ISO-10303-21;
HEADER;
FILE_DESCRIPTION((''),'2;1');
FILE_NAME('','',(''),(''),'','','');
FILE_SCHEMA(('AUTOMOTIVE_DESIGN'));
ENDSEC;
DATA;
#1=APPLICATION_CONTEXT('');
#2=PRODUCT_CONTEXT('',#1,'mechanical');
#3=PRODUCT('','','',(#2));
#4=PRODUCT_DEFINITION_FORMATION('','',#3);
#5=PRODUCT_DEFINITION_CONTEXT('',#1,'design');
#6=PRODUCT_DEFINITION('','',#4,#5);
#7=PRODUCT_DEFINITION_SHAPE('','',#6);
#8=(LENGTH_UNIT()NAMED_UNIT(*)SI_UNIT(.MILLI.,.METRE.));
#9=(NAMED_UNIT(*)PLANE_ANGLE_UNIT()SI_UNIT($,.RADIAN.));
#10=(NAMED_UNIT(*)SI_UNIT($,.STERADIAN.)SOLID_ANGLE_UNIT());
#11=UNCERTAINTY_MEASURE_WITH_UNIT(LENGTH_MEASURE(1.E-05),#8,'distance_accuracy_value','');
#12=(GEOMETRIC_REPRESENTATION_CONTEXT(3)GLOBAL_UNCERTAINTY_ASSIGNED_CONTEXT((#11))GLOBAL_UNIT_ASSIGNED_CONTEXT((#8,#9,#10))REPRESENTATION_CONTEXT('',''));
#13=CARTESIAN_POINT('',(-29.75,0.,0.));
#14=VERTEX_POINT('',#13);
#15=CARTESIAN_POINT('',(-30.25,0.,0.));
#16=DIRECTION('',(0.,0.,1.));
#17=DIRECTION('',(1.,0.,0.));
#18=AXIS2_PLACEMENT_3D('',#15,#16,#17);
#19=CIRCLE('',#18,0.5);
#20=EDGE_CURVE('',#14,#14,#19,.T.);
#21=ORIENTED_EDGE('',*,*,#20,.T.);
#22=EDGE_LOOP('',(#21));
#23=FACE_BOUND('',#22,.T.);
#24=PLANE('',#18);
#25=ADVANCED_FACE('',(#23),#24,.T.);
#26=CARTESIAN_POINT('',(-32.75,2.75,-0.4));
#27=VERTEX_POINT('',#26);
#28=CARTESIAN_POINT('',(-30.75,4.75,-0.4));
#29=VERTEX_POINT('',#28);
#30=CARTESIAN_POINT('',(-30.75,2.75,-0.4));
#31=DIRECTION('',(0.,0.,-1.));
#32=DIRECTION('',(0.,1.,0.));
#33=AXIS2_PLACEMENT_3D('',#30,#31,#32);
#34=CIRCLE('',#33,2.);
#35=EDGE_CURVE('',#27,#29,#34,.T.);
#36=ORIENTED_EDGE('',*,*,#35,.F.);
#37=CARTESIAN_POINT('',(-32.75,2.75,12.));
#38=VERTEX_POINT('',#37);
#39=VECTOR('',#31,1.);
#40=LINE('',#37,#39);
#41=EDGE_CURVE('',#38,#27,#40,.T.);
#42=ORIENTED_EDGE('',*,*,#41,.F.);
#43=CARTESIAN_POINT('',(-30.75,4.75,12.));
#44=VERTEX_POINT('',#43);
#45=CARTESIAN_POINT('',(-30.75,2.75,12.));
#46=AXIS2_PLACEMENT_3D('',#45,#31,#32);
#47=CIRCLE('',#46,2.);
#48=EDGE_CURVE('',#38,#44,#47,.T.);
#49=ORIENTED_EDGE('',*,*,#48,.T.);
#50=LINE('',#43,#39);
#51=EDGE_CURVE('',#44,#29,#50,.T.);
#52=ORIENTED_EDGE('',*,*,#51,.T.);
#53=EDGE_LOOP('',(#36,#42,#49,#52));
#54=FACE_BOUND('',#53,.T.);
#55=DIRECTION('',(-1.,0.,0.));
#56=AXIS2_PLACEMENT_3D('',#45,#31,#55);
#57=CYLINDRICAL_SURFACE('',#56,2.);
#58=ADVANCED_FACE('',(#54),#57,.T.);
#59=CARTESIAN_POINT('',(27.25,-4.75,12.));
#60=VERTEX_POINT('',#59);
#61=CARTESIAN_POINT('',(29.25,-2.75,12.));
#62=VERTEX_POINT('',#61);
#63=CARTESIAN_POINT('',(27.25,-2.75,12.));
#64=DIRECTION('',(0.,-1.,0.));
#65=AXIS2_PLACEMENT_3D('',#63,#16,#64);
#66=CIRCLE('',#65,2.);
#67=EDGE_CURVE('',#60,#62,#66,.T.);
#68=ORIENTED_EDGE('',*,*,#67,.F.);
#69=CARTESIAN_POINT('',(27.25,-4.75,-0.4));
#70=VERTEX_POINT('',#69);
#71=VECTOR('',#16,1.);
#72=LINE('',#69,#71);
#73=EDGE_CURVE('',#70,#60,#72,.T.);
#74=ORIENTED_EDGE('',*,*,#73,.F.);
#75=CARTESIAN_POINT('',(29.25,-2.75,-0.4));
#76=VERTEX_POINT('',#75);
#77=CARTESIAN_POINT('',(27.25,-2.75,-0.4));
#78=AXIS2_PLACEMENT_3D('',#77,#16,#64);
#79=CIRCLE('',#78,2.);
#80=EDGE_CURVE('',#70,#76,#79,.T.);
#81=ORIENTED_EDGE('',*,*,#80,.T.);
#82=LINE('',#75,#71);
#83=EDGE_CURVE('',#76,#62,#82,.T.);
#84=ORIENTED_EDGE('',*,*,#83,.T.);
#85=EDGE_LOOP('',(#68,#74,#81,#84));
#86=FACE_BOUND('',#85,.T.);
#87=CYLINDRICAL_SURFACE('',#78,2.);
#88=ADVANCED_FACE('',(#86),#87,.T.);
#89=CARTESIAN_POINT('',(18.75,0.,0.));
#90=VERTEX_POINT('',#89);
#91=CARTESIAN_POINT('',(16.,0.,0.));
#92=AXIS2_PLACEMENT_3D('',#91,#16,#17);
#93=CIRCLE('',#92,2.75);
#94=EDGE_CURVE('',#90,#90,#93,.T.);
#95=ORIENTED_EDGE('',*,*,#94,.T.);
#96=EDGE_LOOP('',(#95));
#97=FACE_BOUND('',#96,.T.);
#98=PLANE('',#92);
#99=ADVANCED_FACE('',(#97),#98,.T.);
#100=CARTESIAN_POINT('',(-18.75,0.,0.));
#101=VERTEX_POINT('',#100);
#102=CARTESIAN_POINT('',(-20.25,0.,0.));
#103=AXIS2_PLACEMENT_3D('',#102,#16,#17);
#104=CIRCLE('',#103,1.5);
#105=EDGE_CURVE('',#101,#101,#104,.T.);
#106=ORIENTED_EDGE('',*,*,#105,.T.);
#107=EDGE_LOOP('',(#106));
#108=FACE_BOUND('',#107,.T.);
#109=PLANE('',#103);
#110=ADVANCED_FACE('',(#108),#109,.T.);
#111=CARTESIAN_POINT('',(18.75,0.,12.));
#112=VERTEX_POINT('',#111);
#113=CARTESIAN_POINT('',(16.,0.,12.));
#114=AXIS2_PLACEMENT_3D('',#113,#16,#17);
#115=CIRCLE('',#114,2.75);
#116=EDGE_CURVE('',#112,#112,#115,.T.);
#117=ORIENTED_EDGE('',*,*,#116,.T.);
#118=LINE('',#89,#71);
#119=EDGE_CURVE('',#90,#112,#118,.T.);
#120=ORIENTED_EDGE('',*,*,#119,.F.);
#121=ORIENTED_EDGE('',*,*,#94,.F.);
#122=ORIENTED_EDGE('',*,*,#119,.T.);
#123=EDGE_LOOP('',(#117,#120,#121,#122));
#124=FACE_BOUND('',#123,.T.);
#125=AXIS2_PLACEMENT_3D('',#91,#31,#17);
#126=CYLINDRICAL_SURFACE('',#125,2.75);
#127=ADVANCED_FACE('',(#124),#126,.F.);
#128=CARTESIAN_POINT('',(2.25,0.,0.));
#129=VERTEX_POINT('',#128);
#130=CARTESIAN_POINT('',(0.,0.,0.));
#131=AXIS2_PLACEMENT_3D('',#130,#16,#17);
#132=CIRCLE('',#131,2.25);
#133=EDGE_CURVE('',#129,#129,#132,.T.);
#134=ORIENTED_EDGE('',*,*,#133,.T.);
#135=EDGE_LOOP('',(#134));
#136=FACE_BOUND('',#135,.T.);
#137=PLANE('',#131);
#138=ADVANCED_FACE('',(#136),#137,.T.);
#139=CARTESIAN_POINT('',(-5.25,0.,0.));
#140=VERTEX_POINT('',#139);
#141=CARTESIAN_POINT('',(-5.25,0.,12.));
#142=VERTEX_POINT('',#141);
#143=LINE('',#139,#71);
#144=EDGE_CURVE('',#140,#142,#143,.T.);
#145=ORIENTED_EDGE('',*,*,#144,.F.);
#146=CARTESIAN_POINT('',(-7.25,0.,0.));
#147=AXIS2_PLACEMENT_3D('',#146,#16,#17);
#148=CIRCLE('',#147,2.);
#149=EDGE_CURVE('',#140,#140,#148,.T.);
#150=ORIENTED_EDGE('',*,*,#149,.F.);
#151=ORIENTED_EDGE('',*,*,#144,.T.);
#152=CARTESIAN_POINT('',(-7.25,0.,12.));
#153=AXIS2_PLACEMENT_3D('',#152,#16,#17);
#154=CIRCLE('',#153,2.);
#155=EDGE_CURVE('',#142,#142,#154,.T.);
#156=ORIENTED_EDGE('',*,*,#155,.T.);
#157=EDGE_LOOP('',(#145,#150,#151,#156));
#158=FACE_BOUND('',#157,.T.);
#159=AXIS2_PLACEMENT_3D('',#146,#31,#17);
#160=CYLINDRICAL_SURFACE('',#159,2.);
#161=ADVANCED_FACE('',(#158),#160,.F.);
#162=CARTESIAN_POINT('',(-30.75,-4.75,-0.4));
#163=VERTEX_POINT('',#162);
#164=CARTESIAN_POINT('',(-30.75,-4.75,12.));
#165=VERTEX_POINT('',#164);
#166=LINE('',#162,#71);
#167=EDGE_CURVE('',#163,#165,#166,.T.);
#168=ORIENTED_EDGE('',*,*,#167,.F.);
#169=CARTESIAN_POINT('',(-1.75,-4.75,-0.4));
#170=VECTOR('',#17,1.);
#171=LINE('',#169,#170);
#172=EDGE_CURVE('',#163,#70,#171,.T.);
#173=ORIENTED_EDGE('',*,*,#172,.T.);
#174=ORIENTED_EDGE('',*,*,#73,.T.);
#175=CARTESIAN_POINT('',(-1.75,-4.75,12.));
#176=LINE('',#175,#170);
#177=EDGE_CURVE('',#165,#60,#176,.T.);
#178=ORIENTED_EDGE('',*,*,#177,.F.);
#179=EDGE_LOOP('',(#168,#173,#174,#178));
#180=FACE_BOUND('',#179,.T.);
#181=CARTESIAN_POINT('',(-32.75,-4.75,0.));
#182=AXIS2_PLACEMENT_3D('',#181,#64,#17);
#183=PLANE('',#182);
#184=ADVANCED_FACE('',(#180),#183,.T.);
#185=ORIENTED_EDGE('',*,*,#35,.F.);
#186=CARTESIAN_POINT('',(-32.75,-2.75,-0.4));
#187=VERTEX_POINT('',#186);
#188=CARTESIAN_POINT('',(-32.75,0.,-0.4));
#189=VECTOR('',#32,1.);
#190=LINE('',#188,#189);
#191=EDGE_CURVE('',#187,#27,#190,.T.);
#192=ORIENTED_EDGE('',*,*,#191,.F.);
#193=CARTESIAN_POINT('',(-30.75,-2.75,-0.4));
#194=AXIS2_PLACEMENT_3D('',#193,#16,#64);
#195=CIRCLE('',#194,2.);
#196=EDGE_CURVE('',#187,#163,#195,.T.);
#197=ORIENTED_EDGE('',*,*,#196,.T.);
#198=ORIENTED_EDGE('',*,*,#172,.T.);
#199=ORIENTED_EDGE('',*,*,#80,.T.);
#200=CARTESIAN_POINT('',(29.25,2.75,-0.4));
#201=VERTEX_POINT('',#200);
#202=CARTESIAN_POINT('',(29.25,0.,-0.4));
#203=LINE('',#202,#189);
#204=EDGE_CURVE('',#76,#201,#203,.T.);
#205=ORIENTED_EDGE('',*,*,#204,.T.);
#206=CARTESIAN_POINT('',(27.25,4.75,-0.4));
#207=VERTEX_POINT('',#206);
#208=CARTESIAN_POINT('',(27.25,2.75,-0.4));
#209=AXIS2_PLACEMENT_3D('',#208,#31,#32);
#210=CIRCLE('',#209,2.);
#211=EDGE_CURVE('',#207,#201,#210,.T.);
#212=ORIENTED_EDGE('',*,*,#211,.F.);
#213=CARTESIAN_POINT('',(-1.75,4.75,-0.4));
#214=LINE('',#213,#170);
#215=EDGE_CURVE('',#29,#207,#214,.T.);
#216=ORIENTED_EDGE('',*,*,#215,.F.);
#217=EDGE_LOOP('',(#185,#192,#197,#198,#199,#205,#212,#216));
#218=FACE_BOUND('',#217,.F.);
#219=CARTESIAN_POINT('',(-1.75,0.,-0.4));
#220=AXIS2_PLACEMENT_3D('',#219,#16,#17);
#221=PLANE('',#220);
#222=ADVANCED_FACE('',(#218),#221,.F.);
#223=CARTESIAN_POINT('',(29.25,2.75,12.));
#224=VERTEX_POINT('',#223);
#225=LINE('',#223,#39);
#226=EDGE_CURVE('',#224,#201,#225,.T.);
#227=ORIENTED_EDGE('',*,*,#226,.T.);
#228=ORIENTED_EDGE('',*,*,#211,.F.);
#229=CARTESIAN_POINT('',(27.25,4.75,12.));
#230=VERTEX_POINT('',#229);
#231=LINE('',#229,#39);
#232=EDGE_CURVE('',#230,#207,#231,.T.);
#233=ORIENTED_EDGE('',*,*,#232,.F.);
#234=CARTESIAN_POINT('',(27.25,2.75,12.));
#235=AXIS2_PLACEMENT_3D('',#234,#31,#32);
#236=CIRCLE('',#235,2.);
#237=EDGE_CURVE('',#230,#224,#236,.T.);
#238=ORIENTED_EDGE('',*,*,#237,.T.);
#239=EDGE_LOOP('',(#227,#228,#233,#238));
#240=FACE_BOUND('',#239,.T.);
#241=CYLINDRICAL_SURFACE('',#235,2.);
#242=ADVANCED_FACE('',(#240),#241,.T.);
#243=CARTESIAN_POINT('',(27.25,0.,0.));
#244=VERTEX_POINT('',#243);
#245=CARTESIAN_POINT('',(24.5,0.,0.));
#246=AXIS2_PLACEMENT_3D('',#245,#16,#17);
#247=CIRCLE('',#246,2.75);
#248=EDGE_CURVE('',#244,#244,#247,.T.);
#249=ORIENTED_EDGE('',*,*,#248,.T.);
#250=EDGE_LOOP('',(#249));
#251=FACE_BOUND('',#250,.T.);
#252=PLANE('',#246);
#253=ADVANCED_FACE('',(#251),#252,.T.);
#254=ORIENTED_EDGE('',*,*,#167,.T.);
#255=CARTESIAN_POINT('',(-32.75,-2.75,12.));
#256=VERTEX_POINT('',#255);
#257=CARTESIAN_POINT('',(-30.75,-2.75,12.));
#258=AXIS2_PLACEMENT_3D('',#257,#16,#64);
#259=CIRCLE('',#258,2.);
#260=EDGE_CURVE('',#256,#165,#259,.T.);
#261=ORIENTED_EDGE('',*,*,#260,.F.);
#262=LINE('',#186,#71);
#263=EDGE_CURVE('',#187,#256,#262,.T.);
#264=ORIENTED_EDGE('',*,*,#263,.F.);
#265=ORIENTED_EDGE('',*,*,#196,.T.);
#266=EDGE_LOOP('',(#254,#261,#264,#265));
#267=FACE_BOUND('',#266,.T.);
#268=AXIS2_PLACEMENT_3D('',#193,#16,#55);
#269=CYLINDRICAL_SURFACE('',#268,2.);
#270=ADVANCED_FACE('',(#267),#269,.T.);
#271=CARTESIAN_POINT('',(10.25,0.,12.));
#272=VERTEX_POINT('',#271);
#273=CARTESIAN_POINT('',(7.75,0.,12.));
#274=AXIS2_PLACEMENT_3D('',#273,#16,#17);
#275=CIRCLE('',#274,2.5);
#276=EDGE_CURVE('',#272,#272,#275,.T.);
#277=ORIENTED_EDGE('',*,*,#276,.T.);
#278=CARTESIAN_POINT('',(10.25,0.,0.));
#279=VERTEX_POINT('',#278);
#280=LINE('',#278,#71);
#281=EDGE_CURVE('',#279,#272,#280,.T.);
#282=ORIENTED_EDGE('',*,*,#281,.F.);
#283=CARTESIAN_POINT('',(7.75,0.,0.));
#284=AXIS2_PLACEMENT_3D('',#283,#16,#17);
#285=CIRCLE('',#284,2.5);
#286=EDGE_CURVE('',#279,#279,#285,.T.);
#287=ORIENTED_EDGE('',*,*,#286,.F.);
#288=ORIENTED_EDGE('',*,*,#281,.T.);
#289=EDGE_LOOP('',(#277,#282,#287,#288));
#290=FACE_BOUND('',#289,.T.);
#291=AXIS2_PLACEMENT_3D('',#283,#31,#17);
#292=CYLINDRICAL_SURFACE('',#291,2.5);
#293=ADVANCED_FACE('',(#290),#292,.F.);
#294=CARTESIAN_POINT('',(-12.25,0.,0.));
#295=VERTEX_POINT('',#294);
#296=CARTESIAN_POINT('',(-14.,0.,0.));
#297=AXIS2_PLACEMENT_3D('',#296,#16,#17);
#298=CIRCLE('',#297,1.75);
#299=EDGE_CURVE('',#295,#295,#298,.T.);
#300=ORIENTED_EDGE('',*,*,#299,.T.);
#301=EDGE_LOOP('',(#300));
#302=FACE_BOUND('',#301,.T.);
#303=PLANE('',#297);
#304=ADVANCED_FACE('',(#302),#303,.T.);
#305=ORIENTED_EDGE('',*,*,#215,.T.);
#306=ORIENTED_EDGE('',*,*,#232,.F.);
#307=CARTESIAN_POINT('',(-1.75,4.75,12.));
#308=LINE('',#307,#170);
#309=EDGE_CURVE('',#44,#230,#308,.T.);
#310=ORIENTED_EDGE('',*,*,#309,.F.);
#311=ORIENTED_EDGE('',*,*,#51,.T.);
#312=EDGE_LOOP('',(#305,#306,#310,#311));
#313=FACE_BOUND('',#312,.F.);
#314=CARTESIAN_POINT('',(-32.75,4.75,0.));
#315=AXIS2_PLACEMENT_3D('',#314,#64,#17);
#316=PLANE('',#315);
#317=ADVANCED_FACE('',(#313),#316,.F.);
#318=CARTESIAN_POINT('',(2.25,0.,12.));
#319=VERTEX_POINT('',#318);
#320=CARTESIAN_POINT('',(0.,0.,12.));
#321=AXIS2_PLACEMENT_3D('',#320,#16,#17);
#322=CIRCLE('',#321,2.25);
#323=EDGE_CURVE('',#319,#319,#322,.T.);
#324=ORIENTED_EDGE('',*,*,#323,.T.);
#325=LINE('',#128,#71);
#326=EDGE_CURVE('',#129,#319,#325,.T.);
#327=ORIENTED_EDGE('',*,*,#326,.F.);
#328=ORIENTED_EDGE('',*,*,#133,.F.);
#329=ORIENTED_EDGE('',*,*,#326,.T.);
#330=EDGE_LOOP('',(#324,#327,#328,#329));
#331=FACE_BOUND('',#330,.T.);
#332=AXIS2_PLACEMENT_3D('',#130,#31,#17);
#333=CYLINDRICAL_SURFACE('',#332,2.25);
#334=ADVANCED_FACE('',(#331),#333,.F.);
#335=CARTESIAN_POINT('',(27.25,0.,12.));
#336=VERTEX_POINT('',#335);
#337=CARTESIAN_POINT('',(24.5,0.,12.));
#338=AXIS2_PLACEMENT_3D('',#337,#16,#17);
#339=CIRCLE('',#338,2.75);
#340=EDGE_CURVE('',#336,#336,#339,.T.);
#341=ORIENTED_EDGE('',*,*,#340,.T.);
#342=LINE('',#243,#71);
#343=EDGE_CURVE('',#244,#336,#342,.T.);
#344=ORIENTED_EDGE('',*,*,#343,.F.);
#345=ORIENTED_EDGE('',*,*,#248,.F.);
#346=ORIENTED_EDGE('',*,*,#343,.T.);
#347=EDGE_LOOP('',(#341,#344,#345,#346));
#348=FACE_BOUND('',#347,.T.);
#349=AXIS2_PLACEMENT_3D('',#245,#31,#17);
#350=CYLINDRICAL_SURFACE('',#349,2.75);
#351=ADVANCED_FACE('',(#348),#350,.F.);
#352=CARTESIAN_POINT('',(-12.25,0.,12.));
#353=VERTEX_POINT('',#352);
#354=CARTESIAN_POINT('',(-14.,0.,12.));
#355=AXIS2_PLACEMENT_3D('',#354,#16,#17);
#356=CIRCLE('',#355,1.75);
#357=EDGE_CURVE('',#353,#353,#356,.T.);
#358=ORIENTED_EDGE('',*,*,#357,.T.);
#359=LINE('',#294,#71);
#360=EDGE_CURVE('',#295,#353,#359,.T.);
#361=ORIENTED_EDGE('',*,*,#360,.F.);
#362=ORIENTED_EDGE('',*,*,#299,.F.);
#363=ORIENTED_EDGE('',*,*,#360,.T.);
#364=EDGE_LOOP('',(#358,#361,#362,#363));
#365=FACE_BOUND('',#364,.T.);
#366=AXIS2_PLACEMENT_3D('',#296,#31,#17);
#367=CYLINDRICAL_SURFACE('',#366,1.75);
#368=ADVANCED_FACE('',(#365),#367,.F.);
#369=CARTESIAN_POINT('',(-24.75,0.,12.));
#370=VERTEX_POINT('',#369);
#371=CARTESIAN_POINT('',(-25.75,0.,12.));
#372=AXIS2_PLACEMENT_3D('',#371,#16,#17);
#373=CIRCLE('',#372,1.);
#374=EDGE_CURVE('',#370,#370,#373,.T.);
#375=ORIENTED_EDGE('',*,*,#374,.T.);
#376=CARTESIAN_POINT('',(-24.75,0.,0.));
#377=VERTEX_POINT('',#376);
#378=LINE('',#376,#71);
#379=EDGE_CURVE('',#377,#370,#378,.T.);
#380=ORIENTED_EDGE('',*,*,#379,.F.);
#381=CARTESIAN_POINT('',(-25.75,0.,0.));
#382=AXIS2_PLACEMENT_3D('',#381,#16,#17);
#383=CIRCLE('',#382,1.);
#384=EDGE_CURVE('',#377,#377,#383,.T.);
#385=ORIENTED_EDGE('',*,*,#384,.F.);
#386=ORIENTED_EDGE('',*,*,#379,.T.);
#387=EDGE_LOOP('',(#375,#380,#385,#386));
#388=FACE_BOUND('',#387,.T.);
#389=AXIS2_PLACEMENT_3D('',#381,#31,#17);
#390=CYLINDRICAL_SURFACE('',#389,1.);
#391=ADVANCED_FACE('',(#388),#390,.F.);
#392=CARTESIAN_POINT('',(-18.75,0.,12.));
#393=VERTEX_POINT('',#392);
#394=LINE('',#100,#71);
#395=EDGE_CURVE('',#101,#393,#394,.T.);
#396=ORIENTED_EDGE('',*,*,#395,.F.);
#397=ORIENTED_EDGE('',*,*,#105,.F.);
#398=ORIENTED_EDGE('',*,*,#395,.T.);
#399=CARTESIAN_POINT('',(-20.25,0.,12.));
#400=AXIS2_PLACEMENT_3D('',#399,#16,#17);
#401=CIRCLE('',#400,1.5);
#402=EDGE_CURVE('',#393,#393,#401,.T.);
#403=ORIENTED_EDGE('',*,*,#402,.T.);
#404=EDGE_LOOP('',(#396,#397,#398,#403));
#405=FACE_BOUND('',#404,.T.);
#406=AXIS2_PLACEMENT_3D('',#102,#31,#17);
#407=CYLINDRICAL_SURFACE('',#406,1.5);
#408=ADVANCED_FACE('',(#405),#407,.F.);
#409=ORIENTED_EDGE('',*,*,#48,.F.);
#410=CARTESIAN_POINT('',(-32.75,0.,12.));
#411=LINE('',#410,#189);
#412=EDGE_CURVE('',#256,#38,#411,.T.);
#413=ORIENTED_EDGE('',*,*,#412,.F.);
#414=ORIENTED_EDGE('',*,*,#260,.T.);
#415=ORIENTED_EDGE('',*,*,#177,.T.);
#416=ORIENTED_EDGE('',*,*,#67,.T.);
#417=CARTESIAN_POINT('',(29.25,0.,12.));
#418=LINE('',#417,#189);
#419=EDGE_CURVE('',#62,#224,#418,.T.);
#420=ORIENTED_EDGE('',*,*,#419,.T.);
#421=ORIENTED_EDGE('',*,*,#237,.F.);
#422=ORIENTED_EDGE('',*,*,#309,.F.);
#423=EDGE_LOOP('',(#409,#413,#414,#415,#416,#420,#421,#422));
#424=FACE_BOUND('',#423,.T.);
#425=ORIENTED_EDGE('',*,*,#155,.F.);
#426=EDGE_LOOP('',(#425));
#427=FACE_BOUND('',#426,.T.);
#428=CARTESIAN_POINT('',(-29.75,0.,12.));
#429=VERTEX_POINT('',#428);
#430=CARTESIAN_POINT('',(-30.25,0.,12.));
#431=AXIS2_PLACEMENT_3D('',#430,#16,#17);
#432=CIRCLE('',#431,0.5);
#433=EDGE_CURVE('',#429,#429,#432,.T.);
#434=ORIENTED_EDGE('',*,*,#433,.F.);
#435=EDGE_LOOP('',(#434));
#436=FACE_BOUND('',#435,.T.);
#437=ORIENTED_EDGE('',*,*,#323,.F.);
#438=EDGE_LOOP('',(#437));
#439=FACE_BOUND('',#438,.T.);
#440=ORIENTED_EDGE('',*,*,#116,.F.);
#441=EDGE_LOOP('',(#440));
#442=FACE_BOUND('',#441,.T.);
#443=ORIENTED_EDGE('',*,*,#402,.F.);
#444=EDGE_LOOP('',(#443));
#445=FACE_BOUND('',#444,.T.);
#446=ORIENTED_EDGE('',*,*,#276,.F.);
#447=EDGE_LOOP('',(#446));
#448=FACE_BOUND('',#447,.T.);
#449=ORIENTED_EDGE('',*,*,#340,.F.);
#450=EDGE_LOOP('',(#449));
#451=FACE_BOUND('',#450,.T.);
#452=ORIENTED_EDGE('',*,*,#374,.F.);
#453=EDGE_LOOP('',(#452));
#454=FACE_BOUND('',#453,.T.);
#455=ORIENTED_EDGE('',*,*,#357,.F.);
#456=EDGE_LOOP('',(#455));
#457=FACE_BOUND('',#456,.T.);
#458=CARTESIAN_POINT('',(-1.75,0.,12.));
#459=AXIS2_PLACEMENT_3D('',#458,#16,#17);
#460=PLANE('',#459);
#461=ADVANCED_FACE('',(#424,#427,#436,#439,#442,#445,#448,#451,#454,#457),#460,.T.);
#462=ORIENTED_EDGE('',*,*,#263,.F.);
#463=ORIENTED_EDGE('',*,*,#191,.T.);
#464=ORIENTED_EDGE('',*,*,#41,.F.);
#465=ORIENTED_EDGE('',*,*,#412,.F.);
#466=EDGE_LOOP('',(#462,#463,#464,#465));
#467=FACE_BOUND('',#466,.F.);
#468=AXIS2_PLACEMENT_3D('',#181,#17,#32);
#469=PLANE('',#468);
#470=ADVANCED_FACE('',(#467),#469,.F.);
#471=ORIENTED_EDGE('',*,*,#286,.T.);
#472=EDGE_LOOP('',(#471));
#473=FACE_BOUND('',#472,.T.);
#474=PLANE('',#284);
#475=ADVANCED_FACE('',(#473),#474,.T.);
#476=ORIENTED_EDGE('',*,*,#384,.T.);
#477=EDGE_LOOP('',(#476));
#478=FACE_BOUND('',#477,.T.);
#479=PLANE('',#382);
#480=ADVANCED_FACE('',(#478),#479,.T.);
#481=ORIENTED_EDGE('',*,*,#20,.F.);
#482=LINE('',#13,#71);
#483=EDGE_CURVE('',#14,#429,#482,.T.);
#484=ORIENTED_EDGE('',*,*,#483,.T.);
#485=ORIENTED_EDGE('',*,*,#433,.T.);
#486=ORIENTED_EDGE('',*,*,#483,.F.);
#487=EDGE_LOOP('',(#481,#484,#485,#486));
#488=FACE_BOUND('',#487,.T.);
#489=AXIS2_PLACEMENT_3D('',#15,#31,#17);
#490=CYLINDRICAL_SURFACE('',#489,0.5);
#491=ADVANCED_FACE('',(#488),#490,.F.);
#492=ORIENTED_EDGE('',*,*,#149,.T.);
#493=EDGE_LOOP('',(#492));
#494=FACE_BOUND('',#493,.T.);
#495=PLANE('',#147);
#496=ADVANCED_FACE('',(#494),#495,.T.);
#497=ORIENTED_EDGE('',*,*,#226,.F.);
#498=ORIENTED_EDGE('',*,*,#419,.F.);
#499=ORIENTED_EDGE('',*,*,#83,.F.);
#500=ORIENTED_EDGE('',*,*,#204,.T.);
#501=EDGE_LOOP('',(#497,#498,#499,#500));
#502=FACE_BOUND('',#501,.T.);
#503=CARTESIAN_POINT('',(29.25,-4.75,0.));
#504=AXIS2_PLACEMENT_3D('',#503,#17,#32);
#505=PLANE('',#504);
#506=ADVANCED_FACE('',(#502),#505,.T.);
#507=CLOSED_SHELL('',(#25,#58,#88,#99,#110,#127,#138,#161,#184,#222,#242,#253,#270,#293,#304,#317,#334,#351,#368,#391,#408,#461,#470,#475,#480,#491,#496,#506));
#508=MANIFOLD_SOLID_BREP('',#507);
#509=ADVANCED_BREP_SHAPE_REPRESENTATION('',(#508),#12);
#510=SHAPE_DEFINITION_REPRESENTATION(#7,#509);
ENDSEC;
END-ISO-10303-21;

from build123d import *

# Parameters (mm, degrees)
F0_W          = 62
F0_H          = 9.5
F0_R          = 0.5
F0_R_2        = 1
F0_R_3        = 1.5
F0_R_4        = 1.75
F0_R_5        = 2
F0_R_6        = 2.25
F0_R_7        = 2.5
F0_R_8        = 2.75
F1_DEPTH      = 12
F1_DEPTH_BACK = 0.4
F2_DEPTH      = 0.4
F3_R          = 2


with BuildPart() as f1:
    # F0 (on Top) → F1 (new body, two sides)
    with BuildSketch(Plane.XY) as f1_sk:
        with Locations((-1.75, 0)):
            Rectangle(F0_W, F0_H)
        with Locations((-30.25, 0)):
            Circle(F0_R, mode=Mode.SUBTRACT)
        with Locations((-25.75, 0)):
            Circle(F0_R_2, mode=Mode.SUBTRACT)
        with Locations((-20.25, 0)):
            Circle(F0_R_3, mode=Mode.SUBTRACT)
        with Locations((-14, 0)):
            Circle(F0_R_4, mode=Mode.SUBTRACT)
        with Locations((-7.25, 0)):
            Circle(F0_R_5, mode=Mode.SUBTRACT)
        Circle(F0_R_6, mode=Mode.SUBTRACT)
        with Locations((7.75, 0)):
            Circle(F0_R_7, mode=Mode.SUBTRACT)
        with Locations((16, 0)):
            Circle(F0_R_8, mode=Mode.SUBTRACT)
        with Locations((24.5, 0)):
            Circle(F0_R_8, mode=Mode.SUBTRACT)
    extrude(amount=F1_DEPTH)
    extrude(f1_sk.sketch, amount=-F1_DEPTH_BACK)

    # F0 (on Top) → F2 (join)
    with BuildSketch(Plane.XY):
        with Locations((-25.75, 0)):
            Circle(F0_R_2)
        with Locations((-20.25, 0)):
            Circle(F0_R_3)
        with Locations((-30.25, 0)):
            Circle(F0_R)
        with Locations((-14, 0)):
            Circle(F0_R_4)
        with Locations((-7.25, 0)):
            Circle(F0_R_5)
        Circle(F0_R_6)
        with Locations((7.75, 0)):
            Circle(F0_R_7)
        with Locations((16, 0)):
            Circle(F0_R_8)
        with Locations((24.5, 0)):
            Circle(F0_R_8)
    extrude(amount=-F2_DEPTH)

    # F3
    f3_edges = [f1.edges().sort_by_distance(p)[0] for p in [
        (-32.75, -4.75, 5.8),
        (29.25, -4.75, 5.8),
        (29.25, 4.75, 5.8),
        (-32.75, 4.75, 5.8),
    ]]
    fillet(f3_edges, radius=F3_R)


solid = f1.part
